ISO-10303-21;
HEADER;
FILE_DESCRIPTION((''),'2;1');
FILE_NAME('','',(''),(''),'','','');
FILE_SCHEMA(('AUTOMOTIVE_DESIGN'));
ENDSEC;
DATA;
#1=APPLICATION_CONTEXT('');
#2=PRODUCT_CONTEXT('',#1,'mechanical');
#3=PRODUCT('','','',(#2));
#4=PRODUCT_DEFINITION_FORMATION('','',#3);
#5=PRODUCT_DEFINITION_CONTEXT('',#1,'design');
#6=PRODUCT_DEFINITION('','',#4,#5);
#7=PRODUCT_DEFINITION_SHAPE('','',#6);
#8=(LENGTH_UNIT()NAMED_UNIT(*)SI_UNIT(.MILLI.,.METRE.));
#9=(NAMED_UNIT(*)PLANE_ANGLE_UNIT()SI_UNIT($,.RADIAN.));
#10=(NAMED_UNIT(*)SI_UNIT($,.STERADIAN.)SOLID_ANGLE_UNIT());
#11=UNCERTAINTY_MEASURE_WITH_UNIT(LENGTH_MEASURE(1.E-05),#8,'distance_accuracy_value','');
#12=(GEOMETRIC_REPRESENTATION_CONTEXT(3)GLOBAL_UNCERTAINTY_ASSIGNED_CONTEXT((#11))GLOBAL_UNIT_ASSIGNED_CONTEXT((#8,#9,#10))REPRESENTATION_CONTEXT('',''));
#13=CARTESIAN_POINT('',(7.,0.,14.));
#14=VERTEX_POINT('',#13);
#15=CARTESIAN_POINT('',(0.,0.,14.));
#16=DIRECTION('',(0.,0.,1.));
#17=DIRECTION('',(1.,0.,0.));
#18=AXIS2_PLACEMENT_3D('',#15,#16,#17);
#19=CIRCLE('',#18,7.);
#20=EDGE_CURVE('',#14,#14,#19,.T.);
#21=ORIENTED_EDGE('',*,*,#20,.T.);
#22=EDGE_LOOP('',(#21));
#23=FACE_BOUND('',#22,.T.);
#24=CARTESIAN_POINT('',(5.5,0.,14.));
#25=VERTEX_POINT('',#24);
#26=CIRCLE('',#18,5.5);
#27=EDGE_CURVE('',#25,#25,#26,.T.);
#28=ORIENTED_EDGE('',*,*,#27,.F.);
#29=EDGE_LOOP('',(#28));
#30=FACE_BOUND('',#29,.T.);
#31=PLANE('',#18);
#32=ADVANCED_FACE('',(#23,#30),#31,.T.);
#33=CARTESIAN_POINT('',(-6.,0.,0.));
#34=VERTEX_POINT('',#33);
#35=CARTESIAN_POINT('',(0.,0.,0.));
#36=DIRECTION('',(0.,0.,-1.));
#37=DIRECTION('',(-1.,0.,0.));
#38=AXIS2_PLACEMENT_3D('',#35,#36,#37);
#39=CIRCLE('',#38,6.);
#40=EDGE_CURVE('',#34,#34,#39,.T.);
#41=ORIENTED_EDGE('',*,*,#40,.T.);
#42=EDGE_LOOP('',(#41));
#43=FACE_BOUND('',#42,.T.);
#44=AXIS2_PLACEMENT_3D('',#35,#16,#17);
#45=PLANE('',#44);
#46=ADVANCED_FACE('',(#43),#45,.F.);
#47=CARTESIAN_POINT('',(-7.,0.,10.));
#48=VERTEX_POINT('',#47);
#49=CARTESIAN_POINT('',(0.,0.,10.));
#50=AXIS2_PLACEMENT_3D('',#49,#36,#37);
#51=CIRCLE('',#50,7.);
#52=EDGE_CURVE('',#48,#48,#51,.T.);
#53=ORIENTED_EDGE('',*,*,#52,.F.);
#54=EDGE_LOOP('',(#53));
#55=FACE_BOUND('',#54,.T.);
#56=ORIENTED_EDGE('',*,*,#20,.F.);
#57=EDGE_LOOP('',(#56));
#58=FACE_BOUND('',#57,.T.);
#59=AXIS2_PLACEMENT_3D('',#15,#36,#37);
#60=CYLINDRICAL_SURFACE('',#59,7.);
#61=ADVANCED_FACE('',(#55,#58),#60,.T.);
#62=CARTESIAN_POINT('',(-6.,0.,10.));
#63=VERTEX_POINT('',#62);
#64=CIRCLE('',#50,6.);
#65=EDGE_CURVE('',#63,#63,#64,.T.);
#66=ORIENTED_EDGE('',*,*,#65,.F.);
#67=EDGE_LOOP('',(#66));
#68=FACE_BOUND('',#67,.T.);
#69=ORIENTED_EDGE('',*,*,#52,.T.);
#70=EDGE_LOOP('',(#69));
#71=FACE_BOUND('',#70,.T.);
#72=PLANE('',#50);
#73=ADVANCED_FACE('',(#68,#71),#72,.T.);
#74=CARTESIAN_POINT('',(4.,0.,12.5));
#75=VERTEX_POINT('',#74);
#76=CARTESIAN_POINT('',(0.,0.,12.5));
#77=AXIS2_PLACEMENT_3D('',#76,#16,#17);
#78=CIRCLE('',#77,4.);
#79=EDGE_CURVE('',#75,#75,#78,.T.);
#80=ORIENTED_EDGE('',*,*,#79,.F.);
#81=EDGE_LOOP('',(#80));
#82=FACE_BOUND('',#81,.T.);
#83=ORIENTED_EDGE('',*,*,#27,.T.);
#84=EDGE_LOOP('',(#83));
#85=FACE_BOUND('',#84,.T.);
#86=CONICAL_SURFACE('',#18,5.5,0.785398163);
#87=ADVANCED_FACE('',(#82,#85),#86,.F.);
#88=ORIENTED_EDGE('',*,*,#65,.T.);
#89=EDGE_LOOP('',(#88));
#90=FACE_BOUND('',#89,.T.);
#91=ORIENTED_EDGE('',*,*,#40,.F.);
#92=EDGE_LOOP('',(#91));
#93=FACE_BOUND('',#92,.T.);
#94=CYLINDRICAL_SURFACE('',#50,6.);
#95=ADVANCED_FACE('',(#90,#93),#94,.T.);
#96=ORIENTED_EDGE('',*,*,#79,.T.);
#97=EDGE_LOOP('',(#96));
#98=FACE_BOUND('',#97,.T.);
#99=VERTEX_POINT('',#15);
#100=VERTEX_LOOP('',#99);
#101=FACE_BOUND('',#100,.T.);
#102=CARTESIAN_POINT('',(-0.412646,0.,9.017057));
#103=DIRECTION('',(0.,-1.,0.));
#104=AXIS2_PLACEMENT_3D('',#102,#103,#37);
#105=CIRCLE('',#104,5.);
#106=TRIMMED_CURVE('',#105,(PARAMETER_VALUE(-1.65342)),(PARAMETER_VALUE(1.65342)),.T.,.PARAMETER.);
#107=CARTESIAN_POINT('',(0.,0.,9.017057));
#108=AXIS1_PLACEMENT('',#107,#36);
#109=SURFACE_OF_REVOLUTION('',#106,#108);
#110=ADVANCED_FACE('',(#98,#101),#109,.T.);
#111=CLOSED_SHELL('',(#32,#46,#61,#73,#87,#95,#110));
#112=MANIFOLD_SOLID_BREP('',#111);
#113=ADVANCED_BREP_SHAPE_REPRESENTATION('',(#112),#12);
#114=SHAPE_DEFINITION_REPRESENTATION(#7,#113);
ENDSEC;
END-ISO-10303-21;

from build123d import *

# Parameters (mm, degrees)
SKETCH1_R           = 7
BOSS_EXTRUDE1_DEPTH = 14
SKETCH2_OUTSIDE_W   = 20.85
SKETCH2_OUTSIDE_H   = 20.85
SKETCH2_OUTSIDE_R   = 6
CUT_EXTRUDE1_DEPTH  = 10
SKETCH3_R           = 5.5
CUT_EXTRUDE2_DEPTH  = 1.5
CUT_EXTRUDE2_TAPER  = 45
SKETCH4_R           = 4
CUT_EXTRUDE3_DEPTH  = 12.5
SKETCH5_R           = 4
BOSS_EXTRUDE3_DEPTH = 12.5


with BuildPart() as part:
    # Sketch1 → Boss-Extrude1 (new body)
    with BuildSketch(Plane.XY):
        Circle(SKETCH1_R)
    extrude(amount=BOSS_EXTRUDE1_DEPTH)

    # Sketch2 outside → Cut-Extrude1 (cut)
    with BuildSketch(Plane(origin=(0, 0, 0), x_dir=(-1, 0, 0), z_dir=(0, 0, -1))):
        Rectangle(SKETCH2_OUTSIDE_W, SKETCH2_OUTSIDE_H)
        Circle(SKETCH2_OUTSIDE_R, mode=Mode.SUBTRACT)
    extrude(amount=-CUT_EXTRUDE1_DEPTH, mode=Mode.SUBTRACT)

    # Sketch3 → Cut-Extrude2 (cut)
    with BuildSketch(Plane.XY.offset(14)):
        Circle(SKETCH3_R)
    extrude(amount=-CUT_EXTRUDE2_DEPTH, taper=CUT_EXTRUDE2_TAPER, mode=Mode.SUBTRACT)

    # Sketch4 → Cut-Extrude3 (cut)
    with BuildSketch(Plane.XY.offset(12.5)):
        Circle(SKETCH4_R)
    extrude(amount=-CUT_EXTRUDE3_DEPTH, mode=Mode.SUBTRACT)



with BuildPart() as body_2:
    # Sketch5 → Boss-Extrude3 (new body)
    with BuildSketch(Plane(origin=(0, 0, 0), x_dir=(-1, 0, 0), z_dir=(0, 0, -1))):
        Circle(SKETCH5_R)
    extrude(amount=-BOSS_EXTRUDE3_DEPTH)


with BuildPart() as part_1:
    add(part.part)

    add(body_2.part)  # Revolve1 merges body 2
    # Sketch6 → Revolve1 (revolve)
    with BuildSketch(Plane(origin=(0, 0, 0), x_dir=(1, 0, 0), z_dir=(0, 1, 0))):
        with BuildLine():
            Line((-4, -12.5), (0, -12.5))
            Line((0, -12.5), (0, -14))
            ThreePointArc((0, -14), (-2.168263504, -13.698702678), (-4, -12.5))
        make_face()
    revolve(axis=Axis((0, 0, 12.5), (0, 0, 1)))


solid = part_1.part
